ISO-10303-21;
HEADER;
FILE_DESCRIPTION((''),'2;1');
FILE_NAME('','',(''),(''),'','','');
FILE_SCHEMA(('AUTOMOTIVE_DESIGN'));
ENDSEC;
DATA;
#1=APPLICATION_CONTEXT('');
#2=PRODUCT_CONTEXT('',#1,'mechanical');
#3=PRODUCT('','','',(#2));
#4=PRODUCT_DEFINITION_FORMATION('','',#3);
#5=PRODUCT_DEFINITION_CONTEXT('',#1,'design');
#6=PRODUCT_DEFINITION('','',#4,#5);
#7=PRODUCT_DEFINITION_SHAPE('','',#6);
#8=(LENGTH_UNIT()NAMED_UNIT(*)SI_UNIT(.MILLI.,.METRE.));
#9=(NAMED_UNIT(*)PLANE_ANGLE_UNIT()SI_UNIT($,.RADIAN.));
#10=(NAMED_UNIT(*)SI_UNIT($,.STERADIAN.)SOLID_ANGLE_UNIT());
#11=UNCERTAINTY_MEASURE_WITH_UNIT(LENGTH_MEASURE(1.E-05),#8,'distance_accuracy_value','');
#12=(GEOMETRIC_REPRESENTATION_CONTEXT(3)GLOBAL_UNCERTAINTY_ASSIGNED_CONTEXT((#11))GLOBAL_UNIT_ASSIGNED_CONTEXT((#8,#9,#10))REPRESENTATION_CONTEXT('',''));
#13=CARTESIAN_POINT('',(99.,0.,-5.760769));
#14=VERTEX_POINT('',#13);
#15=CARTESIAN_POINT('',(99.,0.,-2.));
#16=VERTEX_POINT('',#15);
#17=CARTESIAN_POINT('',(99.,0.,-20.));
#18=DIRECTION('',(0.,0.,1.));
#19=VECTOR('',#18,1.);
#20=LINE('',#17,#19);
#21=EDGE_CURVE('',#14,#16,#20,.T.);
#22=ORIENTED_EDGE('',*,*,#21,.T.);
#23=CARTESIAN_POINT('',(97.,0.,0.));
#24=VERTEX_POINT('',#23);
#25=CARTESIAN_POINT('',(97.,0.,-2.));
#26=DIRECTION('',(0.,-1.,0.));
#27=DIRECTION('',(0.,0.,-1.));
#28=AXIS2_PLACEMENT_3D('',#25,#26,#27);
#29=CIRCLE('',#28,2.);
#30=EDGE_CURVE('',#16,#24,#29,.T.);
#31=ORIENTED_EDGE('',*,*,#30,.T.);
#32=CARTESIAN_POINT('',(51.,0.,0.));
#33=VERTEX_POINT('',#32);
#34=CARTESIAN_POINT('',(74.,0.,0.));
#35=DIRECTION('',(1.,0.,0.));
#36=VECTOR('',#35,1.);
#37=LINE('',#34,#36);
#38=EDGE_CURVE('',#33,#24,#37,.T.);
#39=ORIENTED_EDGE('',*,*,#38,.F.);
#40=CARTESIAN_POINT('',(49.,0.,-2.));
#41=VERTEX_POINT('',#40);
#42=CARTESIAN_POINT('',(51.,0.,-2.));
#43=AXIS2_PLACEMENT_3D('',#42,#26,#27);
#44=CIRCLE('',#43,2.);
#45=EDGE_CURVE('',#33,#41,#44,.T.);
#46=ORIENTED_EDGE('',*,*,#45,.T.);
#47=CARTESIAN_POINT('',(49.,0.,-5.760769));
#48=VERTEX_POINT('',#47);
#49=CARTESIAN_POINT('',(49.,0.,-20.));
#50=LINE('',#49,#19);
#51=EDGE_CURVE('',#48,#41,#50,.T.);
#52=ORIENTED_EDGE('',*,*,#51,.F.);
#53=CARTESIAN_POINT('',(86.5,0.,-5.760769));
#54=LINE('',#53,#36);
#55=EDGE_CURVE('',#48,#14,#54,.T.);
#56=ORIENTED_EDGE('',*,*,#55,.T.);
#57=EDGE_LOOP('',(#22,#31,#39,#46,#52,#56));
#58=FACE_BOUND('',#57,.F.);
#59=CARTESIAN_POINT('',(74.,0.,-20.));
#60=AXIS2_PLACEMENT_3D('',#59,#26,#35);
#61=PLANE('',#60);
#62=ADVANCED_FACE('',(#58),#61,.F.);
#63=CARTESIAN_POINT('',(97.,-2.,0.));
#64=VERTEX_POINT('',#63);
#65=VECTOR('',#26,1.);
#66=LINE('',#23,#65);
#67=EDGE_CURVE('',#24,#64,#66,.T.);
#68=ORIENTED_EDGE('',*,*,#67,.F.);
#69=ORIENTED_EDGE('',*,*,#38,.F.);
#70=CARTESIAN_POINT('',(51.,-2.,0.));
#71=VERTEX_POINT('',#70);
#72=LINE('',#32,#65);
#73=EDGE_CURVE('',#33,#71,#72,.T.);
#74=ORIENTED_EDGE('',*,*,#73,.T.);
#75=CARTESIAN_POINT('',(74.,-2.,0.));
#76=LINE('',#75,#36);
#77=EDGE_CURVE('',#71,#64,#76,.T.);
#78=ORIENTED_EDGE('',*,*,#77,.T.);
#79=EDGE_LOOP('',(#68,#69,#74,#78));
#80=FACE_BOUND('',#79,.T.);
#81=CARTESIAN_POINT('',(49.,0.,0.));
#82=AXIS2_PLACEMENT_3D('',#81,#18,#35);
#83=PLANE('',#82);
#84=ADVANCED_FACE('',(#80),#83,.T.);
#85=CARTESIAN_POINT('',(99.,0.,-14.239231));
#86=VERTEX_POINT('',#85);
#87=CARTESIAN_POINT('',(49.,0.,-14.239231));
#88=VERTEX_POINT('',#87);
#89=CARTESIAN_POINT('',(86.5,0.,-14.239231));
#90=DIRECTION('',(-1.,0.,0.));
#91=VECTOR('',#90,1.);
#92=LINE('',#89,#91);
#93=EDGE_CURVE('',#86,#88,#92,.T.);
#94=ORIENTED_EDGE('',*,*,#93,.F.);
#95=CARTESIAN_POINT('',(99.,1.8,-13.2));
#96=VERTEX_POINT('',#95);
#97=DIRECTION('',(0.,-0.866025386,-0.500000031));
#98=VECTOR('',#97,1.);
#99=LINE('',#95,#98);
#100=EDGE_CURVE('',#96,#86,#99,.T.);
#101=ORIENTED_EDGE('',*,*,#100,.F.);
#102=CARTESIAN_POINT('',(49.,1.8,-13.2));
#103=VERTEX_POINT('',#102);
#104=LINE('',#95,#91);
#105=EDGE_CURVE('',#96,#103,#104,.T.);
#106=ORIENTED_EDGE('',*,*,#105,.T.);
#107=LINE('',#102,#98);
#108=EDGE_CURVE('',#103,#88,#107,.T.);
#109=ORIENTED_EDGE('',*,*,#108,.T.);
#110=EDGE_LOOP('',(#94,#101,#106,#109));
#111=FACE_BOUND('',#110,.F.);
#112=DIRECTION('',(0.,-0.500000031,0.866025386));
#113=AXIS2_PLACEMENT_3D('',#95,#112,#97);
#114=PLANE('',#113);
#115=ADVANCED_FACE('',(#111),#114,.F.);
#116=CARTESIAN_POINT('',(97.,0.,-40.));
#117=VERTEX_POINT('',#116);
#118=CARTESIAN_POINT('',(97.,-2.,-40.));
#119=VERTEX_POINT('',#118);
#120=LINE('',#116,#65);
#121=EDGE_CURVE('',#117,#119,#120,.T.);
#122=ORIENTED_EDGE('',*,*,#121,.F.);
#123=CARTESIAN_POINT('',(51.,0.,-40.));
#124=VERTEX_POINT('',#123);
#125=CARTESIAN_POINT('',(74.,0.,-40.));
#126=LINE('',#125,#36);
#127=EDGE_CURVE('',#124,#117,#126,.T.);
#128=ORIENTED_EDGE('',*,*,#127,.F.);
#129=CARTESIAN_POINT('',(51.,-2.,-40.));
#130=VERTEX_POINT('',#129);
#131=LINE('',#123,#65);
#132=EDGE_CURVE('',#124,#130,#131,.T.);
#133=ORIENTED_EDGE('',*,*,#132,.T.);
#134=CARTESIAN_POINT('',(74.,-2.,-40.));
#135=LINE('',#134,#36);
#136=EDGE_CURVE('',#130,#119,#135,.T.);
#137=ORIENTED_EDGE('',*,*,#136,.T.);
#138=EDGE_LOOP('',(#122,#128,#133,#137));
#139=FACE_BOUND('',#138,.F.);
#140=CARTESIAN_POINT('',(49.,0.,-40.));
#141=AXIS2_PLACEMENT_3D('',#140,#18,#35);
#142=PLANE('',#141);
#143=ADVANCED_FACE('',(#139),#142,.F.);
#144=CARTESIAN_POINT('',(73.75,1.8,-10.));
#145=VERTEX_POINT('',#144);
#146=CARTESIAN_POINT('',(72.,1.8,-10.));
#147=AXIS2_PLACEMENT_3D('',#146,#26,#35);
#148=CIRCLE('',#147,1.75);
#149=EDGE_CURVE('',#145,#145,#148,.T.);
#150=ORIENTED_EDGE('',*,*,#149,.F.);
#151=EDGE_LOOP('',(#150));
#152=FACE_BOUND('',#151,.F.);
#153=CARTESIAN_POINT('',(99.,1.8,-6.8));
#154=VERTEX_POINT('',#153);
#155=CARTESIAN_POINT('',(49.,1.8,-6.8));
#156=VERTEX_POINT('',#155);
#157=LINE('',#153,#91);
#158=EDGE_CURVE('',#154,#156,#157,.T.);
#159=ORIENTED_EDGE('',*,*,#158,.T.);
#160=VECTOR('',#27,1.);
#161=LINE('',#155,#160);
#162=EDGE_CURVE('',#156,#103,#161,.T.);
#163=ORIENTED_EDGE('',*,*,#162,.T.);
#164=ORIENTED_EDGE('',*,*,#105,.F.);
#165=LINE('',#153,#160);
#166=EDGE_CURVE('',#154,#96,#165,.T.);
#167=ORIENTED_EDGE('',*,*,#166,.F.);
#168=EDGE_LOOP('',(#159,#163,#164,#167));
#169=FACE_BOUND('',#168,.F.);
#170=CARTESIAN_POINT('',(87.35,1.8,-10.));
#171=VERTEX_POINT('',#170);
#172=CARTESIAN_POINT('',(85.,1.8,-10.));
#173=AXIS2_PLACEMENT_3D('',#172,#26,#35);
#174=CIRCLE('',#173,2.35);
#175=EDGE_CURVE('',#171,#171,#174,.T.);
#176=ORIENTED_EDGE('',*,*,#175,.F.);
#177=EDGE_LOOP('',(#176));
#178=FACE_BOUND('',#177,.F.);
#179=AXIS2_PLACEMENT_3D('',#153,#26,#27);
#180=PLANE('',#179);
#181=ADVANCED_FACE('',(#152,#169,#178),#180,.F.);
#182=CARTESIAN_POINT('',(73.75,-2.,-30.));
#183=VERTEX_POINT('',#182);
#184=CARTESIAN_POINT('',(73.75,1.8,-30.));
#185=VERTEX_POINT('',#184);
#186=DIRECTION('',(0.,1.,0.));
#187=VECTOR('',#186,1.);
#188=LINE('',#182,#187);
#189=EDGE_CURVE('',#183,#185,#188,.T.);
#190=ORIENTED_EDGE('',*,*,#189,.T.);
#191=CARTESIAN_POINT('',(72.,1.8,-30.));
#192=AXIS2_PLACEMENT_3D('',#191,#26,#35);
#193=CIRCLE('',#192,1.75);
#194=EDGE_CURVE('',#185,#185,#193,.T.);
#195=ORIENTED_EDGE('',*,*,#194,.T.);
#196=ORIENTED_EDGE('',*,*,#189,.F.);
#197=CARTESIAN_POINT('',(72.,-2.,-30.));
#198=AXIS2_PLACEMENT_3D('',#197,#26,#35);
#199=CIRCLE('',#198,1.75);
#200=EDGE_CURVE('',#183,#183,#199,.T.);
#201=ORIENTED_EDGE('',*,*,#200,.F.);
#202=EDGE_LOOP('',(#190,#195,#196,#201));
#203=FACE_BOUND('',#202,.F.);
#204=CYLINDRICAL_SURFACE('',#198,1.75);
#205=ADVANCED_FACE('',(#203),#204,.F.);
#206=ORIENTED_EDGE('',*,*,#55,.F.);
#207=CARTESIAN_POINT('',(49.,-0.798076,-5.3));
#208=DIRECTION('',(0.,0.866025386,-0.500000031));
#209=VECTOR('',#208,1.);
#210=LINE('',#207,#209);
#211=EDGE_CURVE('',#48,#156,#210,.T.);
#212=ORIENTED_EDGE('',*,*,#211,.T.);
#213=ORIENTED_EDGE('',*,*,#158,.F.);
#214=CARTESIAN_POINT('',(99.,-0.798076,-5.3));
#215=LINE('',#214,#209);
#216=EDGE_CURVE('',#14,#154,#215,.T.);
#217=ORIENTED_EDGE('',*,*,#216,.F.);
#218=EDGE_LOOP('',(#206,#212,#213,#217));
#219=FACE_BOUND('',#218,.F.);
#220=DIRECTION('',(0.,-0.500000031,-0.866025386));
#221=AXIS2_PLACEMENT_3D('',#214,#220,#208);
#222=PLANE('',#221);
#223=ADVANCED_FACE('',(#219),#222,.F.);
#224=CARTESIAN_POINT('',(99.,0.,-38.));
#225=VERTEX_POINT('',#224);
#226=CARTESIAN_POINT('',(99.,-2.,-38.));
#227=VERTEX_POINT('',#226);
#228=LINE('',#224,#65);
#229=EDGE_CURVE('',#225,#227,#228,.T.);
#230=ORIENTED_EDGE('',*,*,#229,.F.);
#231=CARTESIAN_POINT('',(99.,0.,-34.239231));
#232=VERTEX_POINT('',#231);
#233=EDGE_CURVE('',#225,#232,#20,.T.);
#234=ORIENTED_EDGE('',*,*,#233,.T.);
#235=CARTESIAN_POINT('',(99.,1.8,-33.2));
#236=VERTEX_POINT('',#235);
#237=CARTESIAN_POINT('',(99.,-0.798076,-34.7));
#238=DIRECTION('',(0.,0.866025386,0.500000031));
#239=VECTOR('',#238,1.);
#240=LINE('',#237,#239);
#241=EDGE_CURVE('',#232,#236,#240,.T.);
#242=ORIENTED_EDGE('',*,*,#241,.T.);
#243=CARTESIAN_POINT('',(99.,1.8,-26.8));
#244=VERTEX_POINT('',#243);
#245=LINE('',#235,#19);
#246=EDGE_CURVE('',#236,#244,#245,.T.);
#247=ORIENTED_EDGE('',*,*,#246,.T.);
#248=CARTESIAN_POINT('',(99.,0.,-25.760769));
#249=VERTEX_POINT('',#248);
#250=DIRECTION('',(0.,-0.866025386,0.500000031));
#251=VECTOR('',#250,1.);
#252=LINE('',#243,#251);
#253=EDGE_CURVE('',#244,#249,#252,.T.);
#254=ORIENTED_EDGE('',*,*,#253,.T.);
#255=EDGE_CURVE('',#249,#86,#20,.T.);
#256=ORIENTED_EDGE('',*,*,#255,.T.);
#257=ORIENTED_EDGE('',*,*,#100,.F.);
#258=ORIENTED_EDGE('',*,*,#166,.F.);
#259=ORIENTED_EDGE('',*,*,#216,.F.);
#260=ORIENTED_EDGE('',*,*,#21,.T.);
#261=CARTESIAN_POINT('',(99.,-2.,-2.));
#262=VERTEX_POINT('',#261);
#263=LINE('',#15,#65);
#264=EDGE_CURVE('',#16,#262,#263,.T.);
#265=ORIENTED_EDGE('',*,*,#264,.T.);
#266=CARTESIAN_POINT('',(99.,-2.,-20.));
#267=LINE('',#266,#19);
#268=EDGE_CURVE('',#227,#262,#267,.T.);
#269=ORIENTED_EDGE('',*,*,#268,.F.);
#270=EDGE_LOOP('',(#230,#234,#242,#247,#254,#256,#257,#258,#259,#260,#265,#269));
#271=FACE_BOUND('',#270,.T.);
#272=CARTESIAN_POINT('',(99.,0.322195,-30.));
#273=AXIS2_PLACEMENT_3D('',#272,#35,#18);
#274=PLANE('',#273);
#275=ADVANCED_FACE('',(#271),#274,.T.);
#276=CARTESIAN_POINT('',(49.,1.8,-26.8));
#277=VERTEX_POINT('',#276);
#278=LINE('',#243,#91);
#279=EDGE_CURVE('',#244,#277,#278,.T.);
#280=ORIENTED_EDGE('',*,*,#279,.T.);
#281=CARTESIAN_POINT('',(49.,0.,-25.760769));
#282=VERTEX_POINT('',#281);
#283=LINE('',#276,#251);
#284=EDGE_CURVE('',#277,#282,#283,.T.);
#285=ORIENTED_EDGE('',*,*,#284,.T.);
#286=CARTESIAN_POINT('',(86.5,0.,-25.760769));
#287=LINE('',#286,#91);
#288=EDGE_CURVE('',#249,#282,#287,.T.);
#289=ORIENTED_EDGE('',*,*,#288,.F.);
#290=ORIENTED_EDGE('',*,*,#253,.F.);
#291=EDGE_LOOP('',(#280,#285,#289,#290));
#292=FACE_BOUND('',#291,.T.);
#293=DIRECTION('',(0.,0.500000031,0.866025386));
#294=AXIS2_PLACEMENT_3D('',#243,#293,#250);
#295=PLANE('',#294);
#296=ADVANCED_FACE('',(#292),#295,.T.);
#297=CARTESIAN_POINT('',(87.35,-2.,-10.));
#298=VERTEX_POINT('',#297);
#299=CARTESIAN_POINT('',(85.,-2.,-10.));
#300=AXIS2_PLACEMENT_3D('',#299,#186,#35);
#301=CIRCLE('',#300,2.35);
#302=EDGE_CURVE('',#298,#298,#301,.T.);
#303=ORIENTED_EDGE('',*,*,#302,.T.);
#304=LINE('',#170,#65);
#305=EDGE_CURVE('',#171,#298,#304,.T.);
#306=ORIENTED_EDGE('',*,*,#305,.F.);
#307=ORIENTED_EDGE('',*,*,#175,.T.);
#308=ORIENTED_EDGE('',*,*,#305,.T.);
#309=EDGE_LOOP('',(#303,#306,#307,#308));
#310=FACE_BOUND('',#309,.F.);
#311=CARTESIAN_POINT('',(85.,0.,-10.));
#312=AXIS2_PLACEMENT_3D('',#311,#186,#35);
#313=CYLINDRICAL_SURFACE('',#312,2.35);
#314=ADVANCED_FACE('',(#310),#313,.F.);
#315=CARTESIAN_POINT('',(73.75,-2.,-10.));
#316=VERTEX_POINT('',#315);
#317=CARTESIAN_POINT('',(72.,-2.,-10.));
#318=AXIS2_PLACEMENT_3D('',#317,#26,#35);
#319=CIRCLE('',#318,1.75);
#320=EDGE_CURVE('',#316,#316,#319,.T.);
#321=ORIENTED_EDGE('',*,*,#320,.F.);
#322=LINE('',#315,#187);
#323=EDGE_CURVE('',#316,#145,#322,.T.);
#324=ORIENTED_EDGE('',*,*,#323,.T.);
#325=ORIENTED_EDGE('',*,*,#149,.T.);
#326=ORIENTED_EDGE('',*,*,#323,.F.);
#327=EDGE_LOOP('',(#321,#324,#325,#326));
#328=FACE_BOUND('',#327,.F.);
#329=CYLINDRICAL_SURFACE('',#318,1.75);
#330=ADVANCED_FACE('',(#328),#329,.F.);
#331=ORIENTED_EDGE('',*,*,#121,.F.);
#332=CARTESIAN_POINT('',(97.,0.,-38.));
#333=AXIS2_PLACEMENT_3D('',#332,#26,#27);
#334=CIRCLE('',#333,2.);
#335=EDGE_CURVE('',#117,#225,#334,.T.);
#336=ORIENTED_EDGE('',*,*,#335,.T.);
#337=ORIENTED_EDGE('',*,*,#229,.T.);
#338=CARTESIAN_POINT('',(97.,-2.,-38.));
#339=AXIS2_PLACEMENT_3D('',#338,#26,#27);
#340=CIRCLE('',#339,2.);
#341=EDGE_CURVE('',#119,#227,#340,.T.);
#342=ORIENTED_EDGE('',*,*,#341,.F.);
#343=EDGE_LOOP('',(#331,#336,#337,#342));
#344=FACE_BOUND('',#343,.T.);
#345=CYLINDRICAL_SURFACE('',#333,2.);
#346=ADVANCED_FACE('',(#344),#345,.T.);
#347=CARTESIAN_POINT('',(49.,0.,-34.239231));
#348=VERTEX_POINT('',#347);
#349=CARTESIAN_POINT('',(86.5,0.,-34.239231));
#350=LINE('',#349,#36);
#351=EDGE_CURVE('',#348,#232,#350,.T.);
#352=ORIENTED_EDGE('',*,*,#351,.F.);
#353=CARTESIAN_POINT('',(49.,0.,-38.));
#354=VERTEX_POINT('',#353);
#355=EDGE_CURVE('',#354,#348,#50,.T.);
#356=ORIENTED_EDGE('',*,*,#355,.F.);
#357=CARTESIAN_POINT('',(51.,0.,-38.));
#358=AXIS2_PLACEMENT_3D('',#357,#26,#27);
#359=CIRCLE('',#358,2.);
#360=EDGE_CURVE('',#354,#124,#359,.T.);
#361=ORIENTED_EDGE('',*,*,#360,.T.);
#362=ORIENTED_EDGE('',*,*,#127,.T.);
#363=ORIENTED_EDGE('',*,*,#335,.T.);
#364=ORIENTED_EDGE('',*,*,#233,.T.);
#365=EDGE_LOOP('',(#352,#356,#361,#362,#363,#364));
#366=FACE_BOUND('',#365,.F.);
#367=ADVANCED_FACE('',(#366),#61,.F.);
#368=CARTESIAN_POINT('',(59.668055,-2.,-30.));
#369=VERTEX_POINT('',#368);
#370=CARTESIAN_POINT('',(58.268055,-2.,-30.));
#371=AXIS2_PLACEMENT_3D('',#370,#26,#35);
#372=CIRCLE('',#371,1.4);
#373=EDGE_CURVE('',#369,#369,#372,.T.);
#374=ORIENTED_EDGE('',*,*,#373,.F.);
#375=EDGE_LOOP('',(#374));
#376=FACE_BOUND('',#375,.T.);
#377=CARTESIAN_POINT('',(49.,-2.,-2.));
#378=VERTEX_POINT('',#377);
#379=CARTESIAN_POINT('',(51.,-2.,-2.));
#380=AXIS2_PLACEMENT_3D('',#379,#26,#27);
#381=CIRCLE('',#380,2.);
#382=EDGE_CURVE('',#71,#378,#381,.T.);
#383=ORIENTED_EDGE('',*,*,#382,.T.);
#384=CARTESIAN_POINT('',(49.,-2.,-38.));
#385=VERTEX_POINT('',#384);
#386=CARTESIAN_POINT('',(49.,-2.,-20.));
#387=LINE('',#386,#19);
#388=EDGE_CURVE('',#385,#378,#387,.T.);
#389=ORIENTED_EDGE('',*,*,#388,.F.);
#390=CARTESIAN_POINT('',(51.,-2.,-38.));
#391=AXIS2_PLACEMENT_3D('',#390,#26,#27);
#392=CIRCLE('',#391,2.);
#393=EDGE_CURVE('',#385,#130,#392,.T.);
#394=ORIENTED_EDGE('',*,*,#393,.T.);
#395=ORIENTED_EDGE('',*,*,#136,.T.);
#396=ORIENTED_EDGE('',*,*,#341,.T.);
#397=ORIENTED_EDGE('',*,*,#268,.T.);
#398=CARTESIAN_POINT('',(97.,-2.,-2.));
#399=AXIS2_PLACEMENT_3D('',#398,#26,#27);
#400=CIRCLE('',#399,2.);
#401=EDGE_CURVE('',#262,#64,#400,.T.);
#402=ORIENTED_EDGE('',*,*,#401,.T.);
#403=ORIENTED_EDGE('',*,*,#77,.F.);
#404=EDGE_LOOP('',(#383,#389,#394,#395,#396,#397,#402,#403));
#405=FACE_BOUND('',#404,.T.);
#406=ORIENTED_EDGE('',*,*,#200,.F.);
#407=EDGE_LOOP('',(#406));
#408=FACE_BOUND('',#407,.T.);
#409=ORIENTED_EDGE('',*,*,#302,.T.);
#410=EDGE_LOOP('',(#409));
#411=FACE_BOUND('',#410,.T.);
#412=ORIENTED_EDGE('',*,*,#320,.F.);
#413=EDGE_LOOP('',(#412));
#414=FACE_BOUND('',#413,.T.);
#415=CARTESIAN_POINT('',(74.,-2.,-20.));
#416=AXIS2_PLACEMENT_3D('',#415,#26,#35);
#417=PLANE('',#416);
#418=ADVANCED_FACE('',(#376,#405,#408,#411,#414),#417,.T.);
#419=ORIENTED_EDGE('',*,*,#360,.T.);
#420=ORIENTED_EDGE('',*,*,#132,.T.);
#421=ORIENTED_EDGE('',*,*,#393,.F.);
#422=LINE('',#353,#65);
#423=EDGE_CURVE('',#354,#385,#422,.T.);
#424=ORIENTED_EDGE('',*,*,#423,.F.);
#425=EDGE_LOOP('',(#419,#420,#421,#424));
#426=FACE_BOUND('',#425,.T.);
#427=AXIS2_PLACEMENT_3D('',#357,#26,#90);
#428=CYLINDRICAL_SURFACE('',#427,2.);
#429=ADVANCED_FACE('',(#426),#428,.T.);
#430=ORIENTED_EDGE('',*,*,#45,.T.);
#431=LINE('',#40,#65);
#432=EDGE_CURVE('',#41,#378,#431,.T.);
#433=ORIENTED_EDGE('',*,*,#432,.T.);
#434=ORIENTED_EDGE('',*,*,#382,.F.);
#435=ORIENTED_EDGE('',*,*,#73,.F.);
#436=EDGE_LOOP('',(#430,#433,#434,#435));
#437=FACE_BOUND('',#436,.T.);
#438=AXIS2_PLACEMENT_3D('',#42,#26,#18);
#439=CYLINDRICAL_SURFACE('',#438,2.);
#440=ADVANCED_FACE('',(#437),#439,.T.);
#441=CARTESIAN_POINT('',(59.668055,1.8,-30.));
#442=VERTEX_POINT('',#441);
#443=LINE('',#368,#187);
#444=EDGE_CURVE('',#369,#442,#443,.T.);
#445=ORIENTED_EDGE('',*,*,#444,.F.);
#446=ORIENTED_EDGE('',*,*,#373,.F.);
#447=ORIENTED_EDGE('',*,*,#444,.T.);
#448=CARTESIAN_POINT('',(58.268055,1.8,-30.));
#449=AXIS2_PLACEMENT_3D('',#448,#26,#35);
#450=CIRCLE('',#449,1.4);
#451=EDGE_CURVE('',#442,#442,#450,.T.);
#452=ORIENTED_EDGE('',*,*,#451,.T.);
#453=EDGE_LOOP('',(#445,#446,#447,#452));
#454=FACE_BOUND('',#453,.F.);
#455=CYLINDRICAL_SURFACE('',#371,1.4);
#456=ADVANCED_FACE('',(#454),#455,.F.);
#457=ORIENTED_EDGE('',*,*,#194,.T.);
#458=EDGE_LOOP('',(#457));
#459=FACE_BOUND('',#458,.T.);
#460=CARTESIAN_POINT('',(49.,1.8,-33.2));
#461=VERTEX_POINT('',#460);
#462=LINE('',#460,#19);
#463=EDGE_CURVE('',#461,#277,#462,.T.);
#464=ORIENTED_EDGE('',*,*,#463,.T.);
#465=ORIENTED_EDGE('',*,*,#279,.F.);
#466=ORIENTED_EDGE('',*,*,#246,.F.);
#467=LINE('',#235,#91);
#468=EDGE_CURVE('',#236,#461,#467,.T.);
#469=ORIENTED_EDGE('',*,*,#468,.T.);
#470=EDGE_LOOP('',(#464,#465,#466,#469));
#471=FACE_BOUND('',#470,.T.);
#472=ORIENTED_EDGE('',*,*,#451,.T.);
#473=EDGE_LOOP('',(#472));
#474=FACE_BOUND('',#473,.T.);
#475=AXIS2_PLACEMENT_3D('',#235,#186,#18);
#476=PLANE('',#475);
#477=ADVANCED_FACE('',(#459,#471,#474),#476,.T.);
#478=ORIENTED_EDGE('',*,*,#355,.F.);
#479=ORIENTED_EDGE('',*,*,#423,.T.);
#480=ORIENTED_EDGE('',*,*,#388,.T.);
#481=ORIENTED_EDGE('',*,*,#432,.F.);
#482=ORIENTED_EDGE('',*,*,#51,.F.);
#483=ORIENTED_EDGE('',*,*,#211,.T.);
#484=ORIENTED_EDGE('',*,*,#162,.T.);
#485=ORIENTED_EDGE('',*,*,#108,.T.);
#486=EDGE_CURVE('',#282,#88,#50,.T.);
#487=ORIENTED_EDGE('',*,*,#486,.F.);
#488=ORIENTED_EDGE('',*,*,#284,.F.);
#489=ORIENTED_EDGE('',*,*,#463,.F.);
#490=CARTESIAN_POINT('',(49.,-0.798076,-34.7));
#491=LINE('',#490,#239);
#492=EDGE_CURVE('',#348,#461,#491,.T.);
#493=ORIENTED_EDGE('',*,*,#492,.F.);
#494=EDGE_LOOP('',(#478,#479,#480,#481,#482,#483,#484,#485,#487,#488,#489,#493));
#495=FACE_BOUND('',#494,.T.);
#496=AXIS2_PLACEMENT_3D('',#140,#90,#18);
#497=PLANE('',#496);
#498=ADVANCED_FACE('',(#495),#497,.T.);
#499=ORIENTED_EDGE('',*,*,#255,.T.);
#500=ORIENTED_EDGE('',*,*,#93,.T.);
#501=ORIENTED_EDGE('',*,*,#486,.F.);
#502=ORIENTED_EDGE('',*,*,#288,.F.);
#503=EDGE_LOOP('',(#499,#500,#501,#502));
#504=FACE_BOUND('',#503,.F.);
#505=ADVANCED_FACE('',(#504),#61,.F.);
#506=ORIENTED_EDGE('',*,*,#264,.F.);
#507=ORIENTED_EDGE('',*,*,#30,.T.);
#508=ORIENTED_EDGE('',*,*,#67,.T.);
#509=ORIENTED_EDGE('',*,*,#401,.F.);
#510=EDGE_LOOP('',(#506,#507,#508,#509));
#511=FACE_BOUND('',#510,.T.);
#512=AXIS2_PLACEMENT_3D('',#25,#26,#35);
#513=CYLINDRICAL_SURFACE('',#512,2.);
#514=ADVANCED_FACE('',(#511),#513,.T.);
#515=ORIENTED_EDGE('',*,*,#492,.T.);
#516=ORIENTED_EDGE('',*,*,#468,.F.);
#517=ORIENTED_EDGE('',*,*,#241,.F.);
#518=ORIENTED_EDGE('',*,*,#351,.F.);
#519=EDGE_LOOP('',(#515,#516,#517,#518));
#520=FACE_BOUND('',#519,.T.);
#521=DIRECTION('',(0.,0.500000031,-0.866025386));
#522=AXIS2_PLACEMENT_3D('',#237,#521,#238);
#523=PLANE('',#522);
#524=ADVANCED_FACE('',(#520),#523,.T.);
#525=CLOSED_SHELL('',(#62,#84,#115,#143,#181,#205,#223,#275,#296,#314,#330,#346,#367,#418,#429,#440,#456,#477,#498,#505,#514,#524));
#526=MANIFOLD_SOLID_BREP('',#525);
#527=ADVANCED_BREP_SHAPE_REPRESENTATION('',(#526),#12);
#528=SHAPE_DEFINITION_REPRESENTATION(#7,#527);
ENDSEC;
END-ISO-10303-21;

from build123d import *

# Parameters (mm, degrees)
SKETCH005_W       = 50
SKETCH005_H       = 40
PAD002_DEPTH      = 2
PAD003_DEPTH      = 50
SKETCH007_R       = 2.35
POCKET_DEPTH      = 15
POCKET_DEPTH_BACK = 100
SKETCH008_R       = 1.4
SKETCH008_R_2     = 1.75
POCKET001_DEPTH   = 5
FILLET004_R       = 2
FILLET005_R       = 2
FILLET006_R       = 2
FILLET007_R       = 2


with BuildPart() as part:
    # Sketch005 → Pad002 (new body)
    with BuildSketch(Plane.XZ):
        with Locations((74, -20)):
            Rectangle(SKETCH005_W, SKETCH005_H)
    extrude(amount=PAD002_DEPTH)

    # Sketch006 (on Face4 of Pad002) → Pad003 (join)
    with BuildSketch(Plane(origin=(99, 0, 0), x_dir=(0, 0, 1), z_dir=(1, 0, 0))):
        Polygon((-34.7, 0.798076), (-33.2, -1.8), (-26.8, -1.8), (-25.3, 0.798076), align=None)
        Polygon((-5.3, 0.798076), (-6.8, -1.8), (-13.2, -1.8), (-14.7, 0.798076), align=None)
    extrude(amount=-PAD003_DEPTH)

    # Sketch007 (on Face4 of Pad003) → Pocket (cut, two sides)
    with BuildSketch(Plane(origin=(0, 0, 0), x_dir=(1, 0, 0), z_dir=(0, 1, 0))) as pocket_sk:
        with Locations((85, 10)):
            Circle(SKETCH007_R)
    extrude(amount=-POCKET_DEPTH, mode=Mode.SUBTRACT)
    extrude(pocket_sk.sketch, amount=POCKET_DEPTH_BACK, mode=Mode.SUBTRACT)

    # Sketch008 (on Face5 of Pocket) → Pocket001 (cut)
    with BuildSketch(Plane.XZ.offset(2)):
        with Locations((58.268055, -30)):
            Circle(SKETCH008_R)
        with Locations((72, -30)):
            Circle(SKETCH008_R_2)
        with Locations((72, -10)):
            Circle(SKETCH008_R_2)
    extrude(amount=-POCKET001_DEPTH, mode=Mode.SUBTRACT)

    # Fillet004
    fillet004_edges = [part.edges().sort_by_distance(p)[0] for p in [
        (49, -1, -40),
    ]]
    fillet(fillet004_edges, radius=FILLET004_R)

    # Fillet005
    fillet005_edges = [part.edges().sort_by_distance(p)[0] for p in [
        (99, -1, -40),
    ]]
    fillet(fillet005_edges, radius=FILLET005_R)

    # Fillet006
    fillet006_edges = [part.edges().sort_by_distance(p)[0] for p in [
        (99, -1, 0),
    ]]
    fillet(fillet006_edges, radius=FILLET006_R)

    # Fillet007
    fillet007_edges = [part.edges().sort_by_distance(p)[0] for p in [
        (49, -1, 0),
    ]]
    fillet(fillet007_edges, radius=FILLET007_R)


solid = part.part
